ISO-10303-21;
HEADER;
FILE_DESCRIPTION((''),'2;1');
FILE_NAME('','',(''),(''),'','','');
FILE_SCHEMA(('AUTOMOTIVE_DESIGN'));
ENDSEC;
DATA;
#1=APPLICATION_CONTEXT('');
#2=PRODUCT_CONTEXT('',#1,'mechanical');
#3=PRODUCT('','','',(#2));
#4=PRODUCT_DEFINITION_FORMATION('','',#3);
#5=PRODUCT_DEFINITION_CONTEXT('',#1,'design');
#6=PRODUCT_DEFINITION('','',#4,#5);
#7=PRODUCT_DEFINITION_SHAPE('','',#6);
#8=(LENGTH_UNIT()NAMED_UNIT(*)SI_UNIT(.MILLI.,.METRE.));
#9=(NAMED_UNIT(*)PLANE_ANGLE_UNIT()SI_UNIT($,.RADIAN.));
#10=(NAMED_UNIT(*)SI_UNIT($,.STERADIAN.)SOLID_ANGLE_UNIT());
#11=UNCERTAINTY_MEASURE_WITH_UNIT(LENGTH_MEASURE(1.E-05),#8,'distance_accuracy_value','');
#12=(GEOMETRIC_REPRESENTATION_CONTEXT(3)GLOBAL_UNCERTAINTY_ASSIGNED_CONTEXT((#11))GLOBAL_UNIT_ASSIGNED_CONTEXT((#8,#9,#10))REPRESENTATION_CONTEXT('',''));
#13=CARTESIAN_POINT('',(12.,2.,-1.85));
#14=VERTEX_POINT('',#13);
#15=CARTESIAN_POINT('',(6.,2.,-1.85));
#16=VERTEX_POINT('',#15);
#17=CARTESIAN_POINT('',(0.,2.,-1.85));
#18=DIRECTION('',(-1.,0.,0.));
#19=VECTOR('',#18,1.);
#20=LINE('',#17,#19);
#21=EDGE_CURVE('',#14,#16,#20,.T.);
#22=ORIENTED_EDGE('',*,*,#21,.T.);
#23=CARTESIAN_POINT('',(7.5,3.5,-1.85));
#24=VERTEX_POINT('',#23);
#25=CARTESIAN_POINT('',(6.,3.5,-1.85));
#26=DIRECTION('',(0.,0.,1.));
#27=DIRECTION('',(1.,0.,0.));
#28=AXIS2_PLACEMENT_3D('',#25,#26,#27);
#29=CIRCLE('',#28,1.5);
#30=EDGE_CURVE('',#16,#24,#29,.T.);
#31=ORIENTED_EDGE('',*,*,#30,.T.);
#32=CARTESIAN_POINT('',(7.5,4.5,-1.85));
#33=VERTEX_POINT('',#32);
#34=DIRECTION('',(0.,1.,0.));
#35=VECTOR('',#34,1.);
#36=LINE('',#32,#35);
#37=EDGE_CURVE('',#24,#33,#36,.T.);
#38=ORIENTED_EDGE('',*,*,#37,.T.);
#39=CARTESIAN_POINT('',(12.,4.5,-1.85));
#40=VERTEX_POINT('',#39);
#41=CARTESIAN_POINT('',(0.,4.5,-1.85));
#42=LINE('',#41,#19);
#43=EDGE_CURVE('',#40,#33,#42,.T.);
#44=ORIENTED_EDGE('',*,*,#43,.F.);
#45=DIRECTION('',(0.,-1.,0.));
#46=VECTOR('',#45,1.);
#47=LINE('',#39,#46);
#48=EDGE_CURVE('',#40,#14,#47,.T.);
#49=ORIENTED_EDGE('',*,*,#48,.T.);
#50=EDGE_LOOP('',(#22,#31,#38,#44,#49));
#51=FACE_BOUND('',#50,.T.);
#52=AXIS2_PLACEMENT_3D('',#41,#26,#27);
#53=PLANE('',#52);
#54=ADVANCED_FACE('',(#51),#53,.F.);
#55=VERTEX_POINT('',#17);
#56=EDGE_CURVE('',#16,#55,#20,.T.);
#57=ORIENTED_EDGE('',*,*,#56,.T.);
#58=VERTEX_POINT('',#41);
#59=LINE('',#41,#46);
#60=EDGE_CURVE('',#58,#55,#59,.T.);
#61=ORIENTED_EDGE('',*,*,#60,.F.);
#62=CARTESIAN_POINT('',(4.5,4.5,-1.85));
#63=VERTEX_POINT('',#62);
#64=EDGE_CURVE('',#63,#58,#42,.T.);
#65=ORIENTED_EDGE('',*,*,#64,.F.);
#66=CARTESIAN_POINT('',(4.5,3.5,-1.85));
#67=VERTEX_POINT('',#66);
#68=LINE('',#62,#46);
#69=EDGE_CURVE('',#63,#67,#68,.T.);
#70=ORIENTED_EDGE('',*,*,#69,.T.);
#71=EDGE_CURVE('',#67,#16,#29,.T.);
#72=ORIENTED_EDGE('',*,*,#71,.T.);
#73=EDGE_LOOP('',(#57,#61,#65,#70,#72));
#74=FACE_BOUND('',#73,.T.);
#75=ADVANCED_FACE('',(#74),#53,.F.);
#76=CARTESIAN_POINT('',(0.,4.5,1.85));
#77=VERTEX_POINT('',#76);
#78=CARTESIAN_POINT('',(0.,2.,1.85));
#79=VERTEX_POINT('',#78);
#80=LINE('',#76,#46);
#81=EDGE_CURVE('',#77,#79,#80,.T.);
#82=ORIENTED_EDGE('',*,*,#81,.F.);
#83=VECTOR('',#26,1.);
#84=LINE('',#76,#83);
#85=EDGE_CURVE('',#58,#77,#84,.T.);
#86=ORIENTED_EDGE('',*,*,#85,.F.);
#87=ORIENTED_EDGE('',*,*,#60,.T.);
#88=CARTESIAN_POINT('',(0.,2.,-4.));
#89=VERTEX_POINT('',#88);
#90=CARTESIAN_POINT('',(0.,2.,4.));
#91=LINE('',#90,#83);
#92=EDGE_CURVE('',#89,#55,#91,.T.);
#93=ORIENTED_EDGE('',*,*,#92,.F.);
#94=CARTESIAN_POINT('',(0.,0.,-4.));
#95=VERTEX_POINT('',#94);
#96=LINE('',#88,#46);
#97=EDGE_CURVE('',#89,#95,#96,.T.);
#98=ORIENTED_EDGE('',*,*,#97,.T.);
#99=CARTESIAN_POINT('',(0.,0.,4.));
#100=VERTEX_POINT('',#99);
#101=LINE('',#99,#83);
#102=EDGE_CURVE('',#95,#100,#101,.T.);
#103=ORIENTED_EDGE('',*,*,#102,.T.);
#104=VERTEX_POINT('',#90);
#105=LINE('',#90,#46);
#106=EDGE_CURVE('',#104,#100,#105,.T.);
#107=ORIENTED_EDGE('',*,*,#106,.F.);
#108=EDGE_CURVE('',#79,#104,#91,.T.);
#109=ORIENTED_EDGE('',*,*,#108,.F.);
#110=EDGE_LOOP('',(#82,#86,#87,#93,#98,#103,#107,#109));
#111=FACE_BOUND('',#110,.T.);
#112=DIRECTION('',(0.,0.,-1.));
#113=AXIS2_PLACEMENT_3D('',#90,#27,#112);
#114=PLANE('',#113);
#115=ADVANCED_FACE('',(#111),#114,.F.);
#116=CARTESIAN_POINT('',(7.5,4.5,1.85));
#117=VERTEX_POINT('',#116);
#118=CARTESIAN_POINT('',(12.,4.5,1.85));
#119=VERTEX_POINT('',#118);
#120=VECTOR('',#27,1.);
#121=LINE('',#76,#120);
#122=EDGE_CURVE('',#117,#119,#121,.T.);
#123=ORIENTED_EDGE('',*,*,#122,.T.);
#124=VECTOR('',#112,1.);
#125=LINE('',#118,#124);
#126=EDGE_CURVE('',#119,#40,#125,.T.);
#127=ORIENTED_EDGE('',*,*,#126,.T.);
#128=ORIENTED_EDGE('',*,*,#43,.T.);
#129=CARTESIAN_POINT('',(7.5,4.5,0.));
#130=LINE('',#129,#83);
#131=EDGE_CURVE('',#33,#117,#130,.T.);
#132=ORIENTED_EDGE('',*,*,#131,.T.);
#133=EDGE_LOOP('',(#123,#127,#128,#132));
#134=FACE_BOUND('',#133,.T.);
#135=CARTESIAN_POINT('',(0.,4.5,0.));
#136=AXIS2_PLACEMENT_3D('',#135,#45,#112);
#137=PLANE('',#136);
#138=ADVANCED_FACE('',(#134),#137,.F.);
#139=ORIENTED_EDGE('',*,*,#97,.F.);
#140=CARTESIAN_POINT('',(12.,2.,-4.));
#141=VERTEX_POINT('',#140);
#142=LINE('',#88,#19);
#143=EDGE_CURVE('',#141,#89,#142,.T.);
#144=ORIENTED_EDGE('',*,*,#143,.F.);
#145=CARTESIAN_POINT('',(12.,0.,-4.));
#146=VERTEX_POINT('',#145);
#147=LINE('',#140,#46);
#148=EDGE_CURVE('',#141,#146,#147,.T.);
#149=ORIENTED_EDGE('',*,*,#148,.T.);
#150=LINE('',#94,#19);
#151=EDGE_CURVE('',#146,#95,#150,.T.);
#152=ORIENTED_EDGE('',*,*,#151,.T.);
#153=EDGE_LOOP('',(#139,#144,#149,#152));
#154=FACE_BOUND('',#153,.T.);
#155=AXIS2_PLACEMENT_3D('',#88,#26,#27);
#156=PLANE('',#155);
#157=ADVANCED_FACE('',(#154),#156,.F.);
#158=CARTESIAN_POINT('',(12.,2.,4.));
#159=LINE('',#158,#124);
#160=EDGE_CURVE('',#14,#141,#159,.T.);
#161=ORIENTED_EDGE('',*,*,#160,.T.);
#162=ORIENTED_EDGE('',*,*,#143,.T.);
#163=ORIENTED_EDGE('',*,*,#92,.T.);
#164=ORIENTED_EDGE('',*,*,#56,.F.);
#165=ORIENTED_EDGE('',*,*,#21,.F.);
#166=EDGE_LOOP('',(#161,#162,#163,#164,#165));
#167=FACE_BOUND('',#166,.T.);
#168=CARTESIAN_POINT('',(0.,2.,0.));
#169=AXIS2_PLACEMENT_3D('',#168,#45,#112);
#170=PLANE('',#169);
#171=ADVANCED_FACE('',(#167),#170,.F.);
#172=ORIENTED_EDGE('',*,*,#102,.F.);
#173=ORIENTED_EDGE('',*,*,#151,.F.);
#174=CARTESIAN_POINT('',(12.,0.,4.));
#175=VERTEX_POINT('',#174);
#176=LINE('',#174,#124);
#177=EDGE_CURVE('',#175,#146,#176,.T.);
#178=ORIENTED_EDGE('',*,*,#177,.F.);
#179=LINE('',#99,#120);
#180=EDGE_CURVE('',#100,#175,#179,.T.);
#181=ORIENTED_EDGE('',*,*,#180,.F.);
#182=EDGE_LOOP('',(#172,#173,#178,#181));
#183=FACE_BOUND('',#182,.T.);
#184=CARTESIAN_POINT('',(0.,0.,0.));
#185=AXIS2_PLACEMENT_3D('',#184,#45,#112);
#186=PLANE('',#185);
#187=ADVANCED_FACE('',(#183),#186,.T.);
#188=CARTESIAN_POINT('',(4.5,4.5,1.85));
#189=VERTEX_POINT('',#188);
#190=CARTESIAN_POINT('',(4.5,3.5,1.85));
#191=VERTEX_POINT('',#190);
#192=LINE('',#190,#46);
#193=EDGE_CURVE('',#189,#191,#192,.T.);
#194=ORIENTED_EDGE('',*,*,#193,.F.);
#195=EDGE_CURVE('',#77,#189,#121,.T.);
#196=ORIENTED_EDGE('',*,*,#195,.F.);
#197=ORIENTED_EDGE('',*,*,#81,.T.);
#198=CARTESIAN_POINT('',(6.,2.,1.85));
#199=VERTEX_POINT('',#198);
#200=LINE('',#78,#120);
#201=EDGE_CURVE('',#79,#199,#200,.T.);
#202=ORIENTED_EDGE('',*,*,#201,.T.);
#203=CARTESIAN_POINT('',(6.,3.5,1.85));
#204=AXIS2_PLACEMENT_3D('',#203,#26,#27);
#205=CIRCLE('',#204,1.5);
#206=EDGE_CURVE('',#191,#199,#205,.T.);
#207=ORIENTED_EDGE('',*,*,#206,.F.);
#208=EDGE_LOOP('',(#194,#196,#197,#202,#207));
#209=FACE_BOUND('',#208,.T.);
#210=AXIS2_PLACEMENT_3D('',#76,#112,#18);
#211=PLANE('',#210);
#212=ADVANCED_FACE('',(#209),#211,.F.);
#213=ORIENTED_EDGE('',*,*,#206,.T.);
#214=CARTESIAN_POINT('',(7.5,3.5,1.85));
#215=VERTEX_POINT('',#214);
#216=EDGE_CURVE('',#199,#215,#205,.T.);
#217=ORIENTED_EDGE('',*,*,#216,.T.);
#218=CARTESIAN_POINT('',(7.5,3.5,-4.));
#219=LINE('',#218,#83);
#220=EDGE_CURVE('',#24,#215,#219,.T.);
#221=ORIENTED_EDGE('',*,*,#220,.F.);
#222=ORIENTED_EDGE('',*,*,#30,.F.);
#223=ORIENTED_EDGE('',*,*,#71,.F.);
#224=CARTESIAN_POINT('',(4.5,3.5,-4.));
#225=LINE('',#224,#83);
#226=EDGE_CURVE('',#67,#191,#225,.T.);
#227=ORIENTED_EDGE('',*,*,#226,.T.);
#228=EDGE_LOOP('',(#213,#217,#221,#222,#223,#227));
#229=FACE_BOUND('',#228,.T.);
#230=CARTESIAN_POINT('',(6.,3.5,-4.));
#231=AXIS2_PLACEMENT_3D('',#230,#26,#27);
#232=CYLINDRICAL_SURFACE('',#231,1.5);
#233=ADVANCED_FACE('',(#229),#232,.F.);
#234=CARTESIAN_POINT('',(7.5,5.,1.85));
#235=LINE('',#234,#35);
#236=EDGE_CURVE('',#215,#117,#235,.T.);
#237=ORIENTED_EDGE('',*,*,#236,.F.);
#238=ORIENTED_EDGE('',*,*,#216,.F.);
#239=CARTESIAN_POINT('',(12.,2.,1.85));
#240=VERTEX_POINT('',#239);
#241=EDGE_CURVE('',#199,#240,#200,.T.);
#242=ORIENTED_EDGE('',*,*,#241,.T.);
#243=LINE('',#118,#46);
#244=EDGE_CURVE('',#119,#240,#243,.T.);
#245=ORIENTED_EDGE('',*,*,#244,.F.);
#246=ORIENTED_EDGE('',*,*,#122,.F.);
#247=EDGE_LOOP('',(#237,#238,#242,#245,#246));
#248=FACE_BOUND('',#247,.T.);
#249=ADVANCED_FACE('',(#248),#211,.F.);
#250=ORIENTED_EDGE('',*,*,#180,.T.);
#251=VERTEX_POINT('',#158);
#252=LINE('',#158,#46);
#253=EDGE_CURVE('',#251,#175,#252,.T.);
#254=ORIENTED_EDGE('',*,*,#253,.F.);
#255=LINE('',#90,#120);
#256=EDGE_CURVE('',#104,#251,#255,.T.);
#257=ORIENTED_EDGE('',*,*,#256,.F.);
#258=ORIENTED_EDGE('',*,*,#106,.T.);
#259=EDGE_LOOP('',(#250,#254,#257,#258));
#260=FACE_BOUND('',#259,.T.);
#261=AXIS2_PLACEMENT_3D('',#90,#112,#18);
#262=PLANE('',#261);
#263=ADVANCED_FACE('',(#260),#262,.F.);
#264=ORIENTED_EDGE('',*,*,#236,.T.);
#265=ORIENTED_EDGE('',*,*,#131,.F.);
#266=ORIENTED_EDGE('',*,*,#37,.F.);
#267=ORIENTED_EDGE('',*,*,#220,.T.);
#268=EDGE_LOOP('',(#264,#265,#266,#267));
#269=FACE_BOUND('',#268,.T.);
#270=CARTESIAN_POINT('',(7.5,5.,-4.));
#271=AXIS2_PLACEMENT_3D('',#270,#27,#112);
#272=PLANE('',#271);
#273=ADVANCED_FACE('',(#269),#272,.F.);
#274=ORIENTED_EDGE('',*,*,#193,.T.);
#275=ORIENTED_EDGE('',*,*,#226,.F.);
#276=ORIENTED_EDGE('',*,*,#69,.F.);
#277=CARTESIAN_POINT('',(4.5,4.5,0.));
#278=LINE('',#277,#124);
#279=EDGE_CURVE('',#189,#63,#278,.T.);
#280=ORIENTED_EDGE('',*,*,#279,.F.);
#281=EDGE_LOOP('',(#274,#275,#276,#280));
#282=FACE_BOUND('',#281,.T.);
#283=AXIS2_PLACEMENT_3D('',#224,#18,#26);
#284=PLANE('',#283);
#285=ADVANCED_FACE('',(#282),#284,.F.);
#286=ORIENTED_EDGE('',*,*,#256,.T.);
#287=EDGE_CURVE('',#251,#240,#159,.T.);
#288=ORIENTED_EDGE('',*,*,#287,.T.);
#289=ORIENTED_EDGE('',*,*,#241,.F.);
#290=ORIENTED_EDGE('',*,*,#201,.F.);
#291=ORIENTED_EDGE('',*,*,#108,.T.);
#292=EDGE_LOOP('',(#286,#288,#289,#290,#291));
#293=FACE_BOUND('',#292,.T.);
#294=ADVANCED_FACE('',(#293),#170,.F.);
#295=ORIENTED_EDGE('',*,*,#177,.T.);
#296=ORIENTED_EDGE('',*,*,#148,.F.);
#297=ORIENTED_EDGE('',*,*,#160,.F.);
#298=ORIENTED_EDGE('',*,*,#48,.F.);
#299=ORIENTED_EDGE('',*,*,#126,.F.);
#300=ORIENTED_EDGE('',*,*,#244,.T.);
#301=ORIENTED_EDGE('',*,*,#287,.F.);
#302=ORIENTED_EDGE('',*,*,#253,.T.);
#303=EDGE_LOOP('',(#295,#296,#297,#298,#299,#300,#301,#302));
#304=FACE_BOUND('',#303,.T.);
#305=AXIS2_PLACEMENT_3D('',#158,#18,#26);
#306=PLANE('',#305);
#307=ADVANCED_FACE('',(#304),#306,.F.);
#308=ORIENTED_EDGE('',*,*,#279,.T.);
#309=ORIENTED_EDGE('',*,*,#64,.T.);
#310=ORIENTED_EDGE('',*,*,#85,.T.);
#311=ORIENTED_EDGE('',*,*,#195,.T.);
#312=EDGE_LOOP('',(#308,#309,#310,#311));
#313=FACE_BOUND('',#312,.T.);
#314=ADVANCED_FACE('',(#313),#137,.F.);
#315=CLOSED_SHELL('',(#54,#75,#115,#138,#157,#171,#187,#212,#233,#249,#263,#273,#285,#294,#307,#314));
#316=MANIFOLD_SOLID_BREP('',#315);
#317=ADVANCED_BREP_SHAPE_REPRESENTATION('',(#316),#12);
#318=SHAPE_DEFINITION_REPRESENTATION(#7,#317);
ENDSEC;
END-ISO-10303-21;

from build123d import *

# Parameters (mm, degrees)
SKETCH1_W           = 12
SKETCH1_H           = 8
BOSS_EXTRUDE1_DEPTH = 2
SKETCH2_W           = 12
SKETCH2_H           = 3.7
BOSS_EXTRUDE2_DEPTH = 2.5
CUT_EXTRUDE1_DEPTH  = 15.088026831


with BuildPart() as part:
    # Sketch1 → Boss-Extrude1 (new body)
    with BuildSketch(Plane(origin=(0, 0, 0), x_dir=(1, 0, 0), z_dir=(0, 1, 0))):
        with Locations((6, 0)):
            Rectangle(SKETCH1_W, SKETCH1_H)
    extrude(amount=BOSS_EXTRUDE1_DEPTH)

    # Sketch2 → Boss-Extrude2 (add)
    with BuildSketch(Plane(origin=(0, 2, 0), x_dir=(1, 0, 0), z_dir=(0, 1, 0))):
        with Locations((6, 0)):
            Rectangle(SKETCH2_W, SKETCH2_H)
    extrude(amount=BOSS_EXTRUDE2_DEPTH)

    # Sketch3 → Cut-Extrude1 (cut, through all)
    with BuildSketch(Plane.XY.offset(1.85)):
        with BuildLine():
            Line((4.5, 3.5), (4.5, 5))
            Line((4.5, 5), (7.5, 5))
            Line((7.5, 5), (7.5, 3.5))
            ThreePointArc((7.5, 3.5), (6, 2), (4.5, 3.5))
        make_face()
    extrude(amount=-CUT_EXTRUDE1_DEPTH, mode=Mode.SUBTRACT)


solid = part.part
